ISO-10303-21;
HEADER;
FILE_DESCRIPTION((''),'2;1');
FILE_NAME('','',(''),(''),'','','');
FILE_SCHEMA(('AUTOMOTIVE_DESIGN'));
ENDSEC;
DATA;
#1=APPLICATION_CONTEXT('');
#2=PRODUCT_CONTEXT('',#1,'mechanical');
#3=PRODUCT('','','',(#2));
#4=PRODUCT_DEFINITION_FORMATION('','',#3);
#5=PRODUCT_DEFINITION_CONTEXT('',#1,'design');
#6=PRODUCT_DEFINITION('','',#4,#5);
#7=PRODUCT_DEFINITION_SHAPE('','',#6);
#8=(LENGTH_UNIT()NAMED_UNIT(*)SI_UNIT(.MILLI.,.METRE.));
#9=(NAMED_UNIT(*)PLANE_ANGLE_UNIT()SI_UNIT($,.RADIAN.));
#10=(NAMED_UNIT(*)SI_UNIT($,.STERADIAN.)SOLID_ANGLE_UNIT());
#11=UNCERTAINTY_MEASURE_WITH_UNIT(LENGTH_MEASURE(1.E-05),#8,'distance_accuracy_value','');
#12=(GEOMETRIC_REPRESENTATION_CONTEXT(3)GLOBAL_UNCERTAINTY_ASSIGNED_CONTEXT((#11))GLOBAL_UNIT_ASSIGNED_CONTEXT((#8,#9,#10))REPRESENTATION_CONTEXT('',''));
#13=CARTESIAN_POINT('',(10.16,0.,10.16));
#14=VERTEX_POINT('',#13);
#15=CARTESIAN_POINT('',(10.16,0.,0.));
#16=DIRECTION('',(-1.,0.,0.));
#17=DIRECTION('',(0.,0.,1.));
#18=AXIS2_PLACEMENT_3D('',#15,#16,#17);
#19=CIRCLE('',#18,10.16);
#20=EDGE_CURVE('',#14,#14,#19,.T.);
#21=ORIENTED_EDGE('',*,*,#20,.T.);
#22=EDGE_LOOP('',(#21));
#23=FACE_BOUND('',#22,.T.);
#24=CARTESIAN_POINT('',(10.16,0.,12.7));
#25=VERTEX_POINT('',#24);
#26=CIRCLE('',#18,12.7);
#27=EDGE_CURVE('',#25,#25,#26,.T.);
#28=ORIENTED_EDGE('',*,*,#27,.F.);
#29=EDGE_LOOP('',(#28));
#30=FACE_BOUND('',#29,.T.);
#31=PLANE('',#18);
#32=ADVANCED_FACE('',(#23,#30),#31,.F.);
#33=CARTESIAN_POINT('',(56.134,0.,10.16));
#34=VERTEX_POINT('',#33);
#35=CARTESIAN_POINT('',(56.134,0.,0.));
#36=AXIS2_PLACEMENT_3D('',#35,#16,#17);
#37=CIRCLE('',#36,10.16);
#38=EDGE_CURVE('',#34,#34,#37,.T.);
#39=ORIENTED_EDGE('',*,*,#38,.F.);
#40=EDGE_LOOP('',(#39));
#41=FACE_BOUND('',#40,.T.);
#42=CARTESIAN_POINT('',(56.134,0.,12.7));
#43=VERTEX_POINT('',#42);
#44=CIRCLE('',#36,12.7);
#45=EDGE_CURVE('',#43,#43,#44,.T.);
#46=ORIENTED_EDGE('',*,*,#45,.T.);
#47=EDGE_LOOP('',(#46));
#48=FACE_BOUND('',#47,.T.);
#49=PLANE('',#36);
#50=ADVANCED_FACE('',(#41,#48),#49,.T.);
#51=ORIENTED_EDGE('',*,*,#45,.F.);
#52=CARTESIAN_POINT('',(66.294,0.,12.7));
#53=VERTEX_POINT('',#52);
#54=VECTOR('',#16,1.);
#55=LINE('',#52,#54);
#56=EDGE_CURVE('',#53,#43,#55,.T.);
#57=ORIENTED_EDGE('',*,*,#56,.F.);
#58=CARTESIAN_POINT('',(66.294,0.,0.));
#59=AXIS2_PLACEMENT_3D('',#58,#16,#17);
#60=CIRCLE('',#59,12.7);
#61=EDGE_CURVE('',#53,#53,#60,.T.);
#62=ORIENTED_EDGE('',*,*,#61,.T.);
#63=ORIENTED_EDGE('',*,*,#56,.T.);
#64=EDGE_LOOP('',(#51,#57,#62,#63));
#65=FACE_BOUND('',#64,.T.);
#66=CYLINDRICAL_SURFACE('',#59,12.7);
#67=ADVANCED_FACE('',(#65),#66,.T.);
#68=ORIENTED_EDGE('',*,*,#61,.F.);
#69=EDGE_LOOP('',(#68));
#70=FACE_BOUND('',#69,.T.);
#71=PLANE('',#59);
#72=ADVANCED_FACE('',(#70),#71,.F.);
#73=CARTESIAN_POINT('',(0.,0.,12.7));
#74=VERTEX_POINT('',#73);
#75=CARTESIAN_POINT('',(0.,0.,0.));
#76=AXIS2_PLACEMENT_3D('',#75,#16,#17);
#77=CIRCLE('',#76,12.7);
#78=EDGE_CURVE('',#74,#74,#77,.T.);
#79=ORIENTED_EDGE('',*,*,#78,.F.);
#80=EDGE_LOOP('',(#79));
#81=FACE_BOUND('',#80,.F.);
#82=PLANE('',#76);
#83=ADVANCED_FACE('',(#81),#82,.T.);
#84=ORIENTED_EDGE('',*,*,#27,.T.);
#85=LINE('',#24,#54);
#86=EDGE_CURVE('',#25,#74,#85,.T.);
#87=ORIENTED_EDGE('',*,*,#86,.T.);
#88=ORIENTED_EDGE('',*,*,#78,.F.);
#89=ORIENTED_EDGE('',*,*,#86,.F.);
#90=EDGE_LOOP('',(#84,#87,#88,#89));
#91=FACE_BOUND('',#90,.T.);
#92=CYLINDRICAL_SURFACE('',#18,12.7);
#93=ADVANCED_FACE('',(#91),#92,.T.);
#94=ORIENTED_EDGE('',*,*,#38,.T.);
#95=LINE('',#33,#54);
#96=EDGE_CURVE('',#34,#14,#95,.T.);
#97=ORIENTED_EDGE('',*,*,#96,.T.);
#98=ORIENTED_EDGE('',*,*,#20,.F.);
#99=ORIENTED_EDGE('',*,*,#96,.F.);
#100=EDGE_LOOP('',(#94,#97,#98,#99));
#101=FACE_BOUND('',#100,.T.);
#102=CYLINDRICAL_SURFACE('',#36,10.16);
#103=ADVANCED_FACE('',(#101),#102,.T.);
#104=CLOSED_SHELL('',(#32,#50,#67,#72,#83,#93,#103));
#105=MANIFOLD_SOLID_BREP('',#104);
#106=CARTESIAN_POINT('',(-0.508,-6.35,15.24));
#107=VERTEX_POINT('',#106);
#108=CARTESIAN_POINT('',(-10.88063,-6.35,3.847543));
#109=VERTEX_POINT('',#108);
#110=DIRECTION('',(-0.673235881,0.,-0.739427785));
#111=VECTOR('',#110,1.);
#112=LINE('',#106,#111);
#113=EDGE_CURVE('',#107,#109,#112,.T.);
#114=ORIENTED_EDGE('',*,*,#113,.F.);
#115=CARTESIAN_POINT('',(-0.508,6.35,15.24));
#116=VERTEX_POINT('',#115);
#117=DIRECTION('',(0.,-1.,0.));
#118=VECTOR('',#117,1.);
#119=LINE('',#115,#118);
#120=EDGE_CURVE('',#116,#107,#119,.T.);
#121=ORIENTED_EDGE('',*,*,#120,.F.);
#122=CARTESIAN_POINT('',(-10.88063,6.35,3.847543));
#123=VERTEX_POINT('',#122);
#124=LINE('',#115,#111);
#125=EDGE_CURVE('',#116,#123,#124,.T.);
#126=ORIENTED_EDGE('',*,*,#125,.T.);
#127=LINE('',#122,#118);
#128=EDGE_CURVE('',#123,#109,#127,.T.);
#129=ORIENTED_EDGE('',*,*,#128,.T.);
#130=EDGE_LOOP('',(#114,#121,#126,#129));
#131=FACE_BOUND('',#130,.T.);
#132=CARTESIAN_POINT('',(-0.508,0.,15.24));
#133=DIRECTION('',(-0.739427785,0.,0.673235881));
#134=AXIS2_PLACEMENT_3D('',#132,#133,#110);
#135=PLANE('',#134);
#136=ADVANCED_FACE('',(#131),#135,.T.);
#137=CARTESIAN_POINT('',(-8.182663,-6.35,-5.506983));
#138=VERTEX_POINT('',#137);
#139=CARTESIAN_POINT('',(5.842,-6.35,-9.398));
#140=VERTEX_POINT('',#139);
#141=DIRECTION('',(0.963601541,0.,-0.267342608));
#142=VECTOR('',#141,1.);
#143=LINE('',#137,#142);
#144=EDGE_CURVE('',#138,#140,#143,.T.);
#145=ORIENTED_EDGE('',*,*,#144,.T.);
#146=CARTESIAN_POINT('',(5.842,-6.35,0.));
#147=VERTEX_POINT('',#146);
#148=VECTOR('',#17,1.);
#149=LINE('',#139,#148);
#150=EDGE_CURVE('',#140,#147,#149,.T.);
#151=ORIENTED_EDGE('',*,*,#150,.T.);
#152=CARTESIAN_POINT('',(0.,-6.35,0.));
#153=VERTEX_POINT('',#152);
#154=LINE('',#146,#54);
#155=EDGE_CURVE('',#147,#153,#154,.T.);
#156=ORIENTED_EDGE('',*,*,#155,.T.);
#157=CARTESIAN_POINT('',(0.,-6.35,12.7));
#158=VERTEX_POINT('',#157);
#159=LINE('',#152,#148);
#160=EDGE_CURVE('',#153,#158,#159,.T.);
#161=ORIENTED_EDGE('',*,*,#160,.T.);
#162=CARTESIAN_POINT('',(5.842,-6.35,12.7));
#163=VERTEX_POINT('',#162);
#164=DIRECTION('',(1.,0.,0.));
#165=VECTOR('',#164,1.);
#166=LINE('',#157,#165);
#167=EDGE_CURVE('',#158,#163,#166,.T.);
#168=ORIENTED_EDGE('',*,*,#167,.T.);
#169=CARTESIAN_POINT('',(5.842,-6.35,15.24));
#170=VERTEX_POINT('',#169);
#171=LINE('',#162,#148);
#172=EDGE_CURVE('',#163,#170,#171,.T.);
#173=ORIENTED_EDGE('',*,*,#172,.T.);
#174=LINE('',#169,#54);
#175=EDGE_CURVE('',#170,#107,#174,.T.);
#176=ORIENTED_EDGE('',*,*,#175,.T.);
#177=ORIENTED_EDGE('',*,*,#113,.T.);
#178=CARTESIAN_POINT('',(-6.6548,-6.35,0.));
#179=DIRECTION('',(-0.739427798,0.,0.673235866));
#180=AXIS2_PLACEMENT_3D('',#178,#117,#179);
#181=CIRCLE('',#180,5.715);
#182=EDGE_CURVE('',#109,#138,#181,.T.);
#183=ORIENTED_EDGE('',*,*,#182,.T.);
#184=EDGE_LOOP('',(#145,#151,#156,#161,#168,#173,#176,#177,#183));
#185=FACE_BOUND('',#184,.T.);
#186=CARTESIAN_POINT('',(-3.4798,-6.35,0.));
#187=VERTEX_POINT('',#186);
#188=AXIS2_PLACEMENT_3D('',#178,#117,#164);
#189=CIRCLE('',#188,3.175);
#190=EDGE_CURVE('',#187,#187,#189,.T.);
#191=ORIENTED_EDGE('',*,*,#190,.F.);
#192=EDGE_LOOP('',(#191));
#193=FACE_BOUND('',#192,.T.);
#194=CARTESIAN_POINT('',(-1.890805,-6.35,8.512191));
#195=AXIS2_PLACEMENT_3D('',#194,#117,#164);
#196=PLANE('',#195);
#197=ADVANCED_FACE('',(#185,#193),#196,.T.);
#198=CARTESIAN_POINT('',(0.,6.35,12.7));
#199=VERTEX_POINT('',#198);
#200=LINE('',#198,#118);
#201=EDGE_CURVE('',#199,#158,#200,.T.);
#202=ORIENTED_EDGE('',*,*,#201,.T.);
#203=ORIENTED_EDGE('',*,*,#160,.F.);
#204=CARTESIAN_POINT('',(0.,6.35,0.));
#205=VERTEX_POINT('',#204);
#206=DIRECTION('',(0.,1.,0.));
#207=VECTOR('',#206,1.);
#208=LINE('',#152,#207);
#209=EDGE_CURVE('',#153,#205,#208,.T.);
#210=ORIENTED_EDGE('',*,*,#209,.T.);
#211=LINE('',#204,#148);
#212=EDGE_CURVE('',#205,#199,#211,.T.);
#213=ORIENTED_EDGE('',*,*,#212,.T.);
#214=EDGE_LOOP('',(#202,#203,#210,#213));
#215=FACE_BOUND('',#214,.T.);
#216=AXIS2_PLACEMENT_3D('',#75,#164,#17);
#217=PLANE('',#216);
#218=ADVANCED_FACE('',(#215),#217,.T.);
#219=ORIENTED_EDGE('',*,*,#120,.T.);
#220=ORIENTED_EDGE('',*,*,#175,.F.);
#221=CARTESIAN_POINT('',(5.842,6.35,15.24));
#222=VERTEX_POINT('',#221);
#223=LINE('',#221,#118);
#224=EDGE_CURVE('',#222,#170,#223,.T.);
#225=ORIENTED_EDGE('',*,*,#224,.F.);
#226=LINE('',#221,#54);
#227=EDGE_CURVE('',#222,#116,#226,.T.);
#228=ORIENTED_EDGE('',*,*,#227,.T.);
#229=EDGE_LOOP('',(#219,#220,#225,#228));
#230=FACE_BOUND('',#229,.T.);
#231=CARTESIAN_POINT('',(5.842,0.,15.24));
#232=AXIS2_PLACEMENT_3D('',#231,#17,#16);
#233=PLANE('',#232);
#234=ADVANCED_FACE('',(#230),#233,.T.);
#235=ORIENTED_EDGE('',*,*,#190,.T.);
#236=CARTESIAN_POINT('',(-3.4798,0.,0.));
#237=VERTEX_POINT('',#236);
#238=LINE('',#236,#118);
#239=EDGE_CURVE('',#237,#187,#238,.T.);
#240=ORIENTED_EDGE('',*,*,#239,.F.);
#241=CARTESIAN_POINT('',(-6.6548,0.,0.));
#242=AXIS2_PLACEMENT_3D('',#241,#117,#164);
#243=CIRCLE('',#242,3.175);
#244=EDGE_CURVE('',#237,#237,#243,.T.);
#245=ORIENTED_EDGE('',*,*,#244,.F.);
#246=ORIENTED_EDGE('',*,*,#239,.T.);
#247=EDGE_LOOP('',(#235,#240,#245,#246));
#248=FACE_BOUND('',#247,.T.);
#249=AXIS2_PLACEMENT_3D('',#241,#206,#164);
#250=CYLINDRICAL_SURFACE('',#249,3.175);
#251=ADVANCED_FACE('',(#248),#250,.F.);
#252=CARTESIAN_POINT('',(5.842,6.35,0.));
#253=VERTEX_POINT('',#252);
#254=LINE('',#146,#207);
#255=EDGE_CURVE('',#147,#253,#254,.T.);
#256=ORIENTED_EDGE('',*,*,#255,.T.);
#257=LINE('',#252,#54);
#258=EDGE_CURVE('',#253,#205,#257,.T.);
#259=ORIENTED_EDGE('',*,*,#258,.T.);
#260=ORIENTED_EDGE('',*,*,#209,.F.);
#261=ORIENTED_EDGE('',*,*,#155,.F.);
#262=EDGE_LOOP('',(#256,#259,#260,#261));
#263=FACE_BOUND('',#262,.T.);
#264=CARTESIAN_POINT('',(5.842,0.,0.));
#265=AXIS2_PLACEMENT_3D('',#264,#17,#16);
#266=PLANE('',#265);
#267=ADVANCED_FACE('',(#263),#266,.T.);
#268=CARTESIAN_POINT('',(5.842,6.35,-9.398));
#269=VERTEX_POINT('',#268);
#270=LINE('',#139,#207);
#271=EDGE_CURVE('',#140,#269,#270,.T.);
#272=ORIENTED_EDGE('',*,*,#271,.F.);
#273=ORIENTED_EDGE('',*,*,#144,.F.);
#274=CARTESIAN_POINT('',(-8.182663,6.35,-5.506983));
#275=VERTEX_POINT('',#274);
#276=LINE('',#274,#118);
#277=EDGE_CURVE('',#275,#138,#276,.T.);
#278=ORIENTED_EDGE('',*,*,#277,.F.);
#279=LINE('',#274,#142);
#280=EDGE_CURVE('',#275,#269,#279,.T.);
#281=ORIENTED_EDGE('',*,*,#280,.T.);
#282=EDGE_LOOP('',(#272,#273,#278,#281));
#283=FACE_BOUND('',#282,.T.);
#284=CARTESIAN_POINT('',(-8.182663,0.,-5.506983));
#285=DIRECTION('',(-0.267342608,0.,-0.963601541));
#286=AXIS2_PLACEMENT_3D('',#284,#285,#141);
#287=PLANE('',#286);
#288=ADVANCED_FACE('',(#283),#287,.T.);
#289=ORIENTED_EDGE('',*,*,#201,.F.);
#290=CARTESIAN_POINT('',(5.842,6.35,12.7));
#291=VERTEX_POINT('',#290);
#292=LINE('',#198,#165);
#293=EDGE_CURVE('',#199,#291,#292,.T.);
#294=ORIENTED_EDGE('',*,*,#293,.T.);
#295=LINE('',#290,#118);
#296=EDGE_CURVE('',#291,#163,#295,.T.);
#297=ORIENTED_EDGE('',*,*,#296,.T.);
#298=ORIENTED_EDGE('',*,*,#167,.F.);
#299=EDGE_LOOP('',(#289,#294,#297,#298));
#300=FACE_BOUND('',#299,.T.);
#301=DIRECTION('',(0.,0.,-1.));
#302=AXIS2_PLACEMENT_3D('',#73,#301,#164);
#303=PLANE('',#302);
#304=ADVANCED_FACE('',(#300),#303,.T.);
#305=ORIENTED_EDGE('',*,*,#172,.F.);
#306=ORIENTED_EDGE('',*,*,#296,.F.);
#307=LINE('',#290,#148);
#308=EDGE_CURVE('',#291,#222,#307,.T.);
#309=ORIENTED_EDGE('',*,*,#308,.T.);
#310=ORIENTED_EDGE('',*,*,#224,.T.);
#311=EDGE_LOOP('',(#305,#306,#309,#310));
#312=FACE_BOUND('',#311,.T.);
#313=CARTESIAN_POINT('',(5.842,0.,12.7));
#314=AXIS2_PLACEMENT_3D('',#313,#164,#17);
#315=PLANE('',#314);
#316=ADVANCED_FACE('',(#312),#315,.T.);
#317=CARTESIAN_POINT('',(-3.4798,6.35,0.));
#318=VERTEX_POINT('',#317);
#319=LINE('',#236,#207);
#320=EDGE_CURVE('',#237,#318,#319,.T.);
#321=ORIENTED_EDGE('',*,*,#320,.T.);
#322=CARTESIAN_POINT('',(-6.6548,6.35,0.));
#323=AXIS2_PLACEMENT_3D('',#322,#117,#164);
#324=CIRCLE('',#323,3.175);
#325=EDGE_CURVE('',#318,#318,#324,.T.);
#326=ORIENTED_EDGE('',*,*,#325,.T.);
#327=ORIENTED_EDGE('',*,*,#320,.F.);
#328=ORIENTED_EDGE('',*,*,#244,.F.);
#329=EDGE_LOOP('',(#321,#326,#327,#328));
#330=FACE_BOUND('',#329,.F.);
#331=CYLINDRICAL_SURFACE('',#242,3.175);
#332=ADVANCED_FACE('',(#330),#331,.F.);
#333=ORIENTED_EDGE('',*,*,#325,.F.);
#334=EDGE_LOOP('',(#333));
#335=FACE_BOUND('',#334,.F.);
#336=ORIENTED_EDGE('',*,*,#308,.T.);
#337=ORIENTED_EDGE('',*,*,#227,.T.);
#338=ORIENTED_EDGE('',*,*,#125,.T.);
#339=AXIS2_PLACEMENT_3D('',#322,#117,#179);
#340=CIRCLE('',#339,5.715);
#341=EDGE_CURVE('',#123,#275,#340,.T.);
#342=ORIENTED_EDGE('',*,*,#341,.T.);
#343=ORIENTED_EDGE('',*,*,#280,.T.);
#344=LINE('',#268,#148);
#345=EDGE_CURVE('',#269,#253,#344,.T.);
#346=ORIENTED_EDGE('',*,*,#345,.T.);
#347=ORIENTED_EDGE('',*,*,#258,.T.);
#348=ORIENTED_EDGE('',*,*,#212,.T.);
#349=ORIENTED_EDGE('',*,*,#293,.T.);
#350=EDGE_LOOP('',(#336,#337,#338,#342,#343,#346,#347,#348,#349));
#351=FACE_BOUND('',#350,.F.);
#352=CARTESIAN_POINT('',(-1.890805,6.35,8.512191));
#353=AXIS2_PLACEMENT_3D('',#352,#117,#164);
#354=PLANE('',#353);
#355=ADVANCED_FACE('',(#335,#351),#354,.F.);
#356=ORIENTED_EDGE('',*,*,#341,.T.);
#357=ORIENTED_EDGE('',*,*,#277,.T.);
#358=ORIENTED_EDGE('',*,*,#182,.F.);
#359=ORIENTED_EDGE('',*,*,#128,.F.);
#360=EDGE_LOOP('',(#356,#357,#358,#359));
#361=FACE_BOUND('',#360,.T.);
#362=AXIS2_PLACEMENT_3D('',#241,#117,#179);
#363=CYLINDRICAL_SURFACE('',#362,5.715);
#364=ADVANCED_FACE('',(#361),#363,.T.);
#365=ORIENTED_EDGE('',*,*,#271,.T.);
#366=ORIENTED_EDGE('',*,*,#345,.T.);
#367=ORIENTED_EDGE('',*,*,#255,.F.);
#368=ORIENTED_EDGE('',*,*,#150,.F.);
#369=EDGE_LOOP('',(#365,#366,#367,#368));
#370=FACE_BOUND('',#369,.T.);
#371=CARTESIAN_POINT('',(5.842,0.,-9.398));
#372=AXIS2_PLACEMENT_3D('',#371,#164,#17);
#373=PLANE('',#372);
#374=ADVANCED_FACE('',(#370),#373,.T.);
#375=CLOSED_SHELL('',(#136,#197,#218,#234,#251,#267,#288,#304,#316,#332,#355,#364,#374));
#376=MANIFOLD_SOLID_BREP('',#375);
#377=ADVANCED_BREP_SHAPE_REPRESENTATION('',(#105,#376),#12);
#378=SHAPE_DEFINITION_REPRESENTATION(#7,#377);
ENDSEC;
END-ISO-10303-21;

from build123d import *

# Parameters (mm, degrees)
F0_W          = 5.842
F0_H          = 12.7
F0_R          = 3.175
F2_DEPTH      = 6.35
F2_DEPTH_BACK = 6.35


with BuildPart() as f1:
    # F0 (on Front) → F1 (revolve)
    with BuildSketch(Plane.XZ):
        Polygon((5.842, 12.7), (5.842, 0), (66.294, 0), (66.294, 12.7), (56.134, 12.7), (56.134, 10.16), (10.16, 10.16), (10.16, 12.7), align=None)
        with Locations((2.921, 6.35)):
            Rectangle(F0_W, F0_H)
    revolve(axis=Axis((33.147, 0, 0), (-1, 0, 0)))


with BuildPart() as f2:
    # F0 (on Front) → F2 (new body, two sides)
    with BuildSketch(Plane.XZ) as f2_sk:
        with BuildLine():
            Line((-0.9398, 0), (0, 0))
            Line((0, 0), (0, 12.7))
            Line((0, 12.7), (5.842, 12.7))
            Line((5.842, 12.7), (5.842, 15.24))
            Line((5.842, 15.24), (-0.508, 15.24))
            Line((-0.508, 15.24), (-10.88063, 3.847543))
            ThreePointArc((-10.88063, 3.847543), (-4.591961, 5.329721), (-0.9398, 0))
        make_face()
        with BuildLine():
            ThreePointArc((-8.182663, -5.506983), (-3.195791, -4.549339), (-0.9398, 0))
            ThreePointArc((-0.9398, 0), (-4.591961, 5.329721), (-10.88063, 3.847543))
            ThreePointArc((-10.88063, 3.847543), (-12.145978, -1.583727), (-8.182663, -5.506983))
        make_face()
        with Locations((-6.6548, 0)):
            Circle(F0_R, mode=Mode.SUBTRACT)
        with BuildLine():
            Line((5.842, 0), (0, 0))
            Line((0, 0), (-0.9398, 0))
            ThreePointArc((-0.9398, 0), (-3.195791, -4.549339), (-8.182663, -5.506983))
            Line((-8.182663, -5.506983), (5.842, -9.398))
            Line((5.842, -9.398), (5.842, 0))
        make_face()
    extrude(amount=F2_DEPTH)
    extrude(f2_sk.sketch, amount=-F2_DEPTH_BACK)


solid = Compound([f1.part, f2.part])
